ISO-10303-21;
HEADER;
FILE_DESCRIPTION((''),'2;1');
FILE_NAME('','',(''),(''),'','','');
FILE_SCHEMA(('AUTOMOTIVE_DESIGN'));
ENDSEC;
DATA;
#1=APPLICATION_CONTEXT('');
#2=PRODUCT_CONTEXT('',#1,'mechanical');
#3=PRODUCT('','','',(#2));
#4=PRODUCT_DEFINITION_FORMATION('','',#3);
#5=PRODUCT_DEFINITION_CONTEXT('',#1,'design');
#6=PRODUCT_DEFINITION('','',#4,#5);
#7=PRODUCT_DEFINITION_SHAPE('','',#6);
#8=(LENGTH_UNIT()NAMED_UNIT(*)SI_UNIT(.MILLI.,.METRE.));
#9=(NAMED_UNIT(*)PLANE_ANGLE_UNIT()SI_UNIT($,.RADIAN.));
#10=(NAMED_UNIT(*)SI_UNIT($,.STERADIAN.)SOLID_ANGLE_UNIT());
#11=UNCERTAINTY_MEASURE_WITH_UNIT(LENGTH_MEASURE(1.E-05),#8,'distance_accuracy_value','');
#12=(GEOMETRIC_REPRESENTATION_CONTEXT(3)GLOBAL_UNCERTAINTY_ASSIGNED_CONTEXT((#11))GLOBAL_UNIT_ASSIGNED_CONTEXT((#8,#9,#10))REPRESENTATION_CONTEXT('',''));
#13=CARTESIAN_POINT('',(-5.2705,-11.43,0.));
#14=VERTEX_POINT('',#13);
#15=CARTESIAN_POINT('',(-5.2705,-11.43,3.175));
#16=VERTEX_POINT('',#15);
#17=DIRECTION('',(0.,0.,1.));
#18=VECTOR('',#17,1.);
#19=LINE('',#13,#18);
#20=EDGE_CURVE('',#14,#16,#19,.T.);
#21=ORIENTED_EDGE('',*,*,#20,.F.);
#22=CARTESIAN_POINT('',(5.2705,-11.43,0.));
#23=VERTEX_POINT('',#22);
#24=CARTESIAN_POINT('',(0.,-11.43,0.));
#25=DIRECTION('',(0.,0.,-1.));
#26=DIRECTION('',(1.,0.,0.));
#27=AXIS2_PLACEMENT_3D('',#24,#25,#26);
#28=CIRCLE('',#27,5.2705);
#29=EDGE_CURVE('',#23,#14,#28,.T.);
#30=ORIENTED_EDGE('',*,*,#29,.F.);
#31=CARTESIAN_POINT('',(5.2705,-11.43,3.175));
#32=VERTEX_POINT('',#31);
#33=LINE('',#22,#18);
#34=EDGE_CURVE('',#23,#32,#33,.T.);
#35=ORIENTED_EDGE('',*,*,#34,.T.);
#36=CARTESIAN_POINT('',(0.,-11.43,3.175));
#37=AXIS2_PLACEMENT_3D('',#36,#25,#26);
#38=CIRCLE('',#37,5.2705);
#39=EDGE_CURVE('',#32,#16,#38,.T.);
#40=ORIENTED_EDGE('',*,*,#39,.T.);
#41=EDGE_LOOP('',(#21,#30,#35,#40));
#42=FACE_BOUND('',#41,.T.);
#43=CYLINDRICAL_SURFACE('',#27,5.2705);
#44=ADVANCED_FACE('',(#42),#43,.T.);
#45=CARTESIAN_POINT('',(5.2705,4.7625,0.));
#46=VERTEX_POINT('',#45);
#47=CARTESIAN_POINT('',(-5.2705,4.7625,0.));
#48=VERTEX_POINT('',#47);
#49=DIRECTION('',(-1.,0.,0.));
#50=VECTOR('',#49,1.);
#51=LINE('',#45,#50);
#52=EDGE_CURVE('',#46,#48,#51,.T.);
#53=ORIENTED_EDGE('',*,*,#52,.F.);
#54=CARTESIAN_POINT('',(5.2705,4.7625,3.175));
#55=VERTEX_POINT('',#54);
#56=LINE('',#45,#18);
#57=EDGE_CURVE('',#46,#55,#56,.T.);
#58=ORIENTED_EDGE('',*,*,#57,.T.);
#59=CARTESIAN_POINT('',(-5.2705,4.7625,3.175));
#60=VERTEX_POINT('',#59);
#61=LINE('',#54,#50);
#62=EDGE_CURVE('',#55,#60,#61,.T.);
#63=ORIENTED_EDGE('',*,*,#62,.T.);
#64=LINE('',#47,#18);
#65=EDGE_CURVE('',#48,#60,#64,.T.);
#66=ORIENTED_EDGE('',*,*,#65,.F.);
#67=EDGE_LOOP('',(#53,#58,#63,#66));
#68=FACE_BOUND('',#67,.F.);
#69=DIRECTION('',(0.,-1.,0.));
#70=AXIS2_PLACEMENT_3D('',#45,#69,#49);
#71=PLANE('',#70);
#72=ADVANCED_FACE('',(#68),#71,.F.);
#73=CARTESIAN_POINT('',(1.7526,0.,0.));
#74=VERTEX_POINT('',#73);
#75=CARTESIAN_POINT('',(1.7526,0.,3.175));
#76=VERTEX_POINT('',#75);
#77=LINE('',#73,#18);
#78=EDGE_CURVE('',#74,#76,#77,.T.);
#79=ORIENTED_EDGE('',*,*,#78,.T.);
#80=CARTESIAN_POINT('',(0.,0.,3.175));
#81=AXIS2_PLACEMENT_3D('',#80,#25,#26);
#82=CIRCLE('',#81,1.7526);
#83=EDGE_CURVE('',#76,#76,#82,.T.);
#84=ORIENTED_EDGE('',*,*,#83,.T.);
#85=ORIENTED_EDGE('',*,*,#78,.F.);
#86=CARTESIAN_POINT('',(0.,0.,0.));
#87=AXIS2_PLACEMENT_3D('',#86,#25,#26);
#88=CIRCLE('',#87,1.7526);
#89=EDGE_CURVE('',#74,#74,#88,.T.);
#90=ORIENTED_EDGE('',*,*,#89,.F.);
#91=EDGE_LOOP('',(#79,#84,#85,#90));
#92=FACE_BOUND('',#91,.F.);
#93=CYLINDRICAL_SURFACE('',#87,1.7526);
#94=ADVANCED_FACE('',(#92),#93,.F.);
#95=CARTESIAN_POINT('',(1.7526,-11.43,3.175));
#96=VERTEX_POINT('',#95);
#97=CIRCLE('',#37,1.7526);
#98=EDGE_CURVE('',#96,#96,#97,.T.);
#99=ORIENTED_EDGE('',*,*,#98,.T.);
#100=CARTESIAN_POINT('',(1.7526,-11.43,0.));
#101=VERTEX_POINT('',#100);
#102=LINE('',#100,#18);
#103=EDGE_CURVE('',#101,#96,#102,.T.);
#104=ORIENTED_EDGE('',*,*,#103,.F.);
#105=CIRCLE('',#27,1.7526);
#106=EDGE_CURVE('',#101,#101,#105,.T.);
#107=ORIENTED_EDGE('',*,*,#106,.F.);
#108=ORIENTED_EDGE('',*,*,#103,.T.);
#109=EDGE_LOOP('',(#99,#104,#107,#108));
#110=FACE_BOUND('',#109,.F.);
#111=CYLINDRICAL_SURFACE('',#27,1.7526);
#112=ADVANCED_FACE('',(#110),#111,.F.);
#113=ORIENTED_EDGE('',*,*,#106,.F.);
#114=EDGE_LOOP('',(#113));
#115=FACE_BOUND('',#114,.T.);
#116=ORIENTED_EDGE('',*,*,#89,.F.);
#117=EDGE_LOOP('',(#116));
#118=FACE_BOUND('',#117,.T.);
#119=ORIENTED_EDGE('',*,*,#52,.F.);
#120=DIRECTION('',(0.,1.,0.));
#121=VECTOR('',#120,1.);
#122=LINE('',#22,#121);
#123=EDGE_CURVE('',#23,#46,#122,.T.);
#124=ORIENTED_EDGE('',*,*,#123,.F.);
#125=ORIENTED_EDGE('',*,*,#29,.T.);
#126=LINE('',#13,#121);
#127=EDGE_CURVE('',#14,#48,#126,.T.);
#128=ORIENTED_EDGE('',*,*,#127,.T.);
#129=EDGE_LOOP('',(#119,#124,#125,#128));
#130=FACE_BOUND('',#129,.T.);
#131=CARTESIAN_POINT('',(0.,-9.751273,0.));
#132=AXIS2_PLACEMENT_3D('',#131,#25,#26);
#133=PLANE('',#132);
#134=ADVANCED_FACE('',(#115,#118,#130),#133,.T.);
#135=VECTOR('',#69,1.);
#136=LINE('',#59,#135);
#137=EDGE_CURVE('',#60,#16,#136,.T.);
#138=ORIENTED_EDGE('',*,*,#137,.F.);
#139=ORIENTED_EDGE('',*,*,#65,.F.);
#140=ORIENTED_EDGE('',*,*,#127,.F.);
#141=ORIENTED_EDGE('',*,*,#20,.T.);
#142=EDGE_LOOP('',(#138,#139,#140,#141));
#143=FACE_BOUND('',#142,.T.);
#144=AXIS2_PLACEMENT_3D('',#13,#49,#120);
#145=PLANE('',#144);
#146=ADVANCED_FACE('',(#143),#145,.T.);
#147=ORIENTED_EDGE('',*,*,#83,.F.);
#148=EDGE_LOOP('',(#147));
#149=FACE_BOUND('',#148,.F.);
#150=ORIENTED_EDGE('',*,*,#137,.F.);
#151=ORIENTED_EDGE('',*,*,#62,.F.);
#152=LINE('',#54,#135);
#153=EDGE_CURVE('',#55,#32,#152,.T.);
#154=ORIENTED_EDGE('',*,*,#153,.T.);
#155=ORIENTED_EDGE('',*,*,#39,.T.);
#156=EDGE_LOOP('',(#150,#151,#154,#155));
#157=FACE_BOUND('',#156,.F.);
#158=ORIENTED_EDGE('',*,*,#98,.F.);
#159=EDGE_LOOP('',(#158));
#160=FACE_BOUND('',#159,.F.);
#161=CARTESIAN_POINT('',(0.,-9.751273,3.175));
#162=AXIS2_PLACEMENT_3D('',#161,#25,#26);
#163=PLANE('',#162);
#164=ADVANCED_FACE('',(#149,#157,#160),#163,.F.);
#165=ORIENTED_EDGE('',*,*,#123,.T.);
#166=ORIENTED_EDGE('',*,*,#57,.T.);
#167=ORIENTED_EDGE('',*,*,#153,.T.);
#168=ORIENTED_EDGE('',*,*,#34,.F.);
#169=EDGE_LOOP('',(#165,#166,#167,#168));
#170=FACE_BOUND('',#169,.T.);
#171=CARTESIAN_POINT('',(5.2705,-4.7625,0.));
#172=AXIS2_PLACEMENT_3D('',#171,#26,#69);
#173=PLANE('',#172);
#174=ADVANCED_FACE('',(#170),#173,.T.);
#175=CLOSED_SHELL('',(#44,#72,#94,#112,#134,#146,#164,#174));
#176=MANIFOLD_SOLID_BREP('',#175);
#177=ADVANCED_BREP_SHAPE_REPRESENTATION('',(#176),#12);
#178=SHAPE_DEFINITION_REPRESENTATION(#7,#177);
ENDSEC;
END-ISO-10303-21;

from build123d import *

# Parameters (mm, degrees)
F1_DEPTH = 3.175
F2_R     = 1.7526
F3_DEPTH = 3.175
F4_R     = 1.7526
F5_DEPTH = 25.4
F6_W     = 5.842
F6_H     = 6.35
F7_DEPTH = 25.4


with BuildPart() as f1:
    # F0 (on Top) → F1 (new body)
    with BuildSketch(Plane.XY):
        Polygon((-5.2705, 3.175), (-11.1125, 3.175), (-11.1125, -3.175), (-5.2705, -3.175), (-5.2705, -4.7625), (5.2705, -4.7625), (5.2705, -3.175), (11.1125, -3.175), (11.1125, 3.175), (5.2705, 3.175), (5.2705, 4.7625), (-5.2705, 4.7625), align=None)
    extrude(amount=F1_DEPTH)

    # F2 (on face) → F3 (join, through all)
    with BuildSketch(Plane(origin=(0, 0, 0), x_dir=(1, 0, 0), z_dir=(0, 0, -1))):
        with BuildLine():
            Line((5.2705, 4.7625), (5.2705, 11.43))
            ThreePointArc((5.2705, 11.43), (0, 16.7005), (-5.2705, 11.43))
            Line((-5.2705, 11.43), (-5.2705, 4.7625))
            Line((-5.2705, 4.7625), (5.2705, 4.7625))
        make_face()
        with Locations((0, 11.43)):
            Circle(F2_R, mode=Mode.SUBTRACT)
    extrude(amount=-F3_DEPTH)

    # F4 (on face) → F5 (cut)
    with BuildSketch(Plane(origin=(0, 0, 0), x_dir=(1, 0, 0), z_dir=(0, 0, -1))):
        Circle(F4_R)
    extrude(amount=-F5_DEPTH, mode=Mode.SUBTRACT)

    # F6 (on face) → F7 (cut)
    with BuildSketch(Plane.XY.offset(3.175)):
        with Locations((-8.1915, 0)):
            Rectangle(F6_W, F6_H)
        with Locations((8.1915, 0)):
            Rectangle(F6_W, F6_H)
    extrude(amount=-F7_DEPTH, mode=Mode.SUBTRACT)


solid = f1.part
